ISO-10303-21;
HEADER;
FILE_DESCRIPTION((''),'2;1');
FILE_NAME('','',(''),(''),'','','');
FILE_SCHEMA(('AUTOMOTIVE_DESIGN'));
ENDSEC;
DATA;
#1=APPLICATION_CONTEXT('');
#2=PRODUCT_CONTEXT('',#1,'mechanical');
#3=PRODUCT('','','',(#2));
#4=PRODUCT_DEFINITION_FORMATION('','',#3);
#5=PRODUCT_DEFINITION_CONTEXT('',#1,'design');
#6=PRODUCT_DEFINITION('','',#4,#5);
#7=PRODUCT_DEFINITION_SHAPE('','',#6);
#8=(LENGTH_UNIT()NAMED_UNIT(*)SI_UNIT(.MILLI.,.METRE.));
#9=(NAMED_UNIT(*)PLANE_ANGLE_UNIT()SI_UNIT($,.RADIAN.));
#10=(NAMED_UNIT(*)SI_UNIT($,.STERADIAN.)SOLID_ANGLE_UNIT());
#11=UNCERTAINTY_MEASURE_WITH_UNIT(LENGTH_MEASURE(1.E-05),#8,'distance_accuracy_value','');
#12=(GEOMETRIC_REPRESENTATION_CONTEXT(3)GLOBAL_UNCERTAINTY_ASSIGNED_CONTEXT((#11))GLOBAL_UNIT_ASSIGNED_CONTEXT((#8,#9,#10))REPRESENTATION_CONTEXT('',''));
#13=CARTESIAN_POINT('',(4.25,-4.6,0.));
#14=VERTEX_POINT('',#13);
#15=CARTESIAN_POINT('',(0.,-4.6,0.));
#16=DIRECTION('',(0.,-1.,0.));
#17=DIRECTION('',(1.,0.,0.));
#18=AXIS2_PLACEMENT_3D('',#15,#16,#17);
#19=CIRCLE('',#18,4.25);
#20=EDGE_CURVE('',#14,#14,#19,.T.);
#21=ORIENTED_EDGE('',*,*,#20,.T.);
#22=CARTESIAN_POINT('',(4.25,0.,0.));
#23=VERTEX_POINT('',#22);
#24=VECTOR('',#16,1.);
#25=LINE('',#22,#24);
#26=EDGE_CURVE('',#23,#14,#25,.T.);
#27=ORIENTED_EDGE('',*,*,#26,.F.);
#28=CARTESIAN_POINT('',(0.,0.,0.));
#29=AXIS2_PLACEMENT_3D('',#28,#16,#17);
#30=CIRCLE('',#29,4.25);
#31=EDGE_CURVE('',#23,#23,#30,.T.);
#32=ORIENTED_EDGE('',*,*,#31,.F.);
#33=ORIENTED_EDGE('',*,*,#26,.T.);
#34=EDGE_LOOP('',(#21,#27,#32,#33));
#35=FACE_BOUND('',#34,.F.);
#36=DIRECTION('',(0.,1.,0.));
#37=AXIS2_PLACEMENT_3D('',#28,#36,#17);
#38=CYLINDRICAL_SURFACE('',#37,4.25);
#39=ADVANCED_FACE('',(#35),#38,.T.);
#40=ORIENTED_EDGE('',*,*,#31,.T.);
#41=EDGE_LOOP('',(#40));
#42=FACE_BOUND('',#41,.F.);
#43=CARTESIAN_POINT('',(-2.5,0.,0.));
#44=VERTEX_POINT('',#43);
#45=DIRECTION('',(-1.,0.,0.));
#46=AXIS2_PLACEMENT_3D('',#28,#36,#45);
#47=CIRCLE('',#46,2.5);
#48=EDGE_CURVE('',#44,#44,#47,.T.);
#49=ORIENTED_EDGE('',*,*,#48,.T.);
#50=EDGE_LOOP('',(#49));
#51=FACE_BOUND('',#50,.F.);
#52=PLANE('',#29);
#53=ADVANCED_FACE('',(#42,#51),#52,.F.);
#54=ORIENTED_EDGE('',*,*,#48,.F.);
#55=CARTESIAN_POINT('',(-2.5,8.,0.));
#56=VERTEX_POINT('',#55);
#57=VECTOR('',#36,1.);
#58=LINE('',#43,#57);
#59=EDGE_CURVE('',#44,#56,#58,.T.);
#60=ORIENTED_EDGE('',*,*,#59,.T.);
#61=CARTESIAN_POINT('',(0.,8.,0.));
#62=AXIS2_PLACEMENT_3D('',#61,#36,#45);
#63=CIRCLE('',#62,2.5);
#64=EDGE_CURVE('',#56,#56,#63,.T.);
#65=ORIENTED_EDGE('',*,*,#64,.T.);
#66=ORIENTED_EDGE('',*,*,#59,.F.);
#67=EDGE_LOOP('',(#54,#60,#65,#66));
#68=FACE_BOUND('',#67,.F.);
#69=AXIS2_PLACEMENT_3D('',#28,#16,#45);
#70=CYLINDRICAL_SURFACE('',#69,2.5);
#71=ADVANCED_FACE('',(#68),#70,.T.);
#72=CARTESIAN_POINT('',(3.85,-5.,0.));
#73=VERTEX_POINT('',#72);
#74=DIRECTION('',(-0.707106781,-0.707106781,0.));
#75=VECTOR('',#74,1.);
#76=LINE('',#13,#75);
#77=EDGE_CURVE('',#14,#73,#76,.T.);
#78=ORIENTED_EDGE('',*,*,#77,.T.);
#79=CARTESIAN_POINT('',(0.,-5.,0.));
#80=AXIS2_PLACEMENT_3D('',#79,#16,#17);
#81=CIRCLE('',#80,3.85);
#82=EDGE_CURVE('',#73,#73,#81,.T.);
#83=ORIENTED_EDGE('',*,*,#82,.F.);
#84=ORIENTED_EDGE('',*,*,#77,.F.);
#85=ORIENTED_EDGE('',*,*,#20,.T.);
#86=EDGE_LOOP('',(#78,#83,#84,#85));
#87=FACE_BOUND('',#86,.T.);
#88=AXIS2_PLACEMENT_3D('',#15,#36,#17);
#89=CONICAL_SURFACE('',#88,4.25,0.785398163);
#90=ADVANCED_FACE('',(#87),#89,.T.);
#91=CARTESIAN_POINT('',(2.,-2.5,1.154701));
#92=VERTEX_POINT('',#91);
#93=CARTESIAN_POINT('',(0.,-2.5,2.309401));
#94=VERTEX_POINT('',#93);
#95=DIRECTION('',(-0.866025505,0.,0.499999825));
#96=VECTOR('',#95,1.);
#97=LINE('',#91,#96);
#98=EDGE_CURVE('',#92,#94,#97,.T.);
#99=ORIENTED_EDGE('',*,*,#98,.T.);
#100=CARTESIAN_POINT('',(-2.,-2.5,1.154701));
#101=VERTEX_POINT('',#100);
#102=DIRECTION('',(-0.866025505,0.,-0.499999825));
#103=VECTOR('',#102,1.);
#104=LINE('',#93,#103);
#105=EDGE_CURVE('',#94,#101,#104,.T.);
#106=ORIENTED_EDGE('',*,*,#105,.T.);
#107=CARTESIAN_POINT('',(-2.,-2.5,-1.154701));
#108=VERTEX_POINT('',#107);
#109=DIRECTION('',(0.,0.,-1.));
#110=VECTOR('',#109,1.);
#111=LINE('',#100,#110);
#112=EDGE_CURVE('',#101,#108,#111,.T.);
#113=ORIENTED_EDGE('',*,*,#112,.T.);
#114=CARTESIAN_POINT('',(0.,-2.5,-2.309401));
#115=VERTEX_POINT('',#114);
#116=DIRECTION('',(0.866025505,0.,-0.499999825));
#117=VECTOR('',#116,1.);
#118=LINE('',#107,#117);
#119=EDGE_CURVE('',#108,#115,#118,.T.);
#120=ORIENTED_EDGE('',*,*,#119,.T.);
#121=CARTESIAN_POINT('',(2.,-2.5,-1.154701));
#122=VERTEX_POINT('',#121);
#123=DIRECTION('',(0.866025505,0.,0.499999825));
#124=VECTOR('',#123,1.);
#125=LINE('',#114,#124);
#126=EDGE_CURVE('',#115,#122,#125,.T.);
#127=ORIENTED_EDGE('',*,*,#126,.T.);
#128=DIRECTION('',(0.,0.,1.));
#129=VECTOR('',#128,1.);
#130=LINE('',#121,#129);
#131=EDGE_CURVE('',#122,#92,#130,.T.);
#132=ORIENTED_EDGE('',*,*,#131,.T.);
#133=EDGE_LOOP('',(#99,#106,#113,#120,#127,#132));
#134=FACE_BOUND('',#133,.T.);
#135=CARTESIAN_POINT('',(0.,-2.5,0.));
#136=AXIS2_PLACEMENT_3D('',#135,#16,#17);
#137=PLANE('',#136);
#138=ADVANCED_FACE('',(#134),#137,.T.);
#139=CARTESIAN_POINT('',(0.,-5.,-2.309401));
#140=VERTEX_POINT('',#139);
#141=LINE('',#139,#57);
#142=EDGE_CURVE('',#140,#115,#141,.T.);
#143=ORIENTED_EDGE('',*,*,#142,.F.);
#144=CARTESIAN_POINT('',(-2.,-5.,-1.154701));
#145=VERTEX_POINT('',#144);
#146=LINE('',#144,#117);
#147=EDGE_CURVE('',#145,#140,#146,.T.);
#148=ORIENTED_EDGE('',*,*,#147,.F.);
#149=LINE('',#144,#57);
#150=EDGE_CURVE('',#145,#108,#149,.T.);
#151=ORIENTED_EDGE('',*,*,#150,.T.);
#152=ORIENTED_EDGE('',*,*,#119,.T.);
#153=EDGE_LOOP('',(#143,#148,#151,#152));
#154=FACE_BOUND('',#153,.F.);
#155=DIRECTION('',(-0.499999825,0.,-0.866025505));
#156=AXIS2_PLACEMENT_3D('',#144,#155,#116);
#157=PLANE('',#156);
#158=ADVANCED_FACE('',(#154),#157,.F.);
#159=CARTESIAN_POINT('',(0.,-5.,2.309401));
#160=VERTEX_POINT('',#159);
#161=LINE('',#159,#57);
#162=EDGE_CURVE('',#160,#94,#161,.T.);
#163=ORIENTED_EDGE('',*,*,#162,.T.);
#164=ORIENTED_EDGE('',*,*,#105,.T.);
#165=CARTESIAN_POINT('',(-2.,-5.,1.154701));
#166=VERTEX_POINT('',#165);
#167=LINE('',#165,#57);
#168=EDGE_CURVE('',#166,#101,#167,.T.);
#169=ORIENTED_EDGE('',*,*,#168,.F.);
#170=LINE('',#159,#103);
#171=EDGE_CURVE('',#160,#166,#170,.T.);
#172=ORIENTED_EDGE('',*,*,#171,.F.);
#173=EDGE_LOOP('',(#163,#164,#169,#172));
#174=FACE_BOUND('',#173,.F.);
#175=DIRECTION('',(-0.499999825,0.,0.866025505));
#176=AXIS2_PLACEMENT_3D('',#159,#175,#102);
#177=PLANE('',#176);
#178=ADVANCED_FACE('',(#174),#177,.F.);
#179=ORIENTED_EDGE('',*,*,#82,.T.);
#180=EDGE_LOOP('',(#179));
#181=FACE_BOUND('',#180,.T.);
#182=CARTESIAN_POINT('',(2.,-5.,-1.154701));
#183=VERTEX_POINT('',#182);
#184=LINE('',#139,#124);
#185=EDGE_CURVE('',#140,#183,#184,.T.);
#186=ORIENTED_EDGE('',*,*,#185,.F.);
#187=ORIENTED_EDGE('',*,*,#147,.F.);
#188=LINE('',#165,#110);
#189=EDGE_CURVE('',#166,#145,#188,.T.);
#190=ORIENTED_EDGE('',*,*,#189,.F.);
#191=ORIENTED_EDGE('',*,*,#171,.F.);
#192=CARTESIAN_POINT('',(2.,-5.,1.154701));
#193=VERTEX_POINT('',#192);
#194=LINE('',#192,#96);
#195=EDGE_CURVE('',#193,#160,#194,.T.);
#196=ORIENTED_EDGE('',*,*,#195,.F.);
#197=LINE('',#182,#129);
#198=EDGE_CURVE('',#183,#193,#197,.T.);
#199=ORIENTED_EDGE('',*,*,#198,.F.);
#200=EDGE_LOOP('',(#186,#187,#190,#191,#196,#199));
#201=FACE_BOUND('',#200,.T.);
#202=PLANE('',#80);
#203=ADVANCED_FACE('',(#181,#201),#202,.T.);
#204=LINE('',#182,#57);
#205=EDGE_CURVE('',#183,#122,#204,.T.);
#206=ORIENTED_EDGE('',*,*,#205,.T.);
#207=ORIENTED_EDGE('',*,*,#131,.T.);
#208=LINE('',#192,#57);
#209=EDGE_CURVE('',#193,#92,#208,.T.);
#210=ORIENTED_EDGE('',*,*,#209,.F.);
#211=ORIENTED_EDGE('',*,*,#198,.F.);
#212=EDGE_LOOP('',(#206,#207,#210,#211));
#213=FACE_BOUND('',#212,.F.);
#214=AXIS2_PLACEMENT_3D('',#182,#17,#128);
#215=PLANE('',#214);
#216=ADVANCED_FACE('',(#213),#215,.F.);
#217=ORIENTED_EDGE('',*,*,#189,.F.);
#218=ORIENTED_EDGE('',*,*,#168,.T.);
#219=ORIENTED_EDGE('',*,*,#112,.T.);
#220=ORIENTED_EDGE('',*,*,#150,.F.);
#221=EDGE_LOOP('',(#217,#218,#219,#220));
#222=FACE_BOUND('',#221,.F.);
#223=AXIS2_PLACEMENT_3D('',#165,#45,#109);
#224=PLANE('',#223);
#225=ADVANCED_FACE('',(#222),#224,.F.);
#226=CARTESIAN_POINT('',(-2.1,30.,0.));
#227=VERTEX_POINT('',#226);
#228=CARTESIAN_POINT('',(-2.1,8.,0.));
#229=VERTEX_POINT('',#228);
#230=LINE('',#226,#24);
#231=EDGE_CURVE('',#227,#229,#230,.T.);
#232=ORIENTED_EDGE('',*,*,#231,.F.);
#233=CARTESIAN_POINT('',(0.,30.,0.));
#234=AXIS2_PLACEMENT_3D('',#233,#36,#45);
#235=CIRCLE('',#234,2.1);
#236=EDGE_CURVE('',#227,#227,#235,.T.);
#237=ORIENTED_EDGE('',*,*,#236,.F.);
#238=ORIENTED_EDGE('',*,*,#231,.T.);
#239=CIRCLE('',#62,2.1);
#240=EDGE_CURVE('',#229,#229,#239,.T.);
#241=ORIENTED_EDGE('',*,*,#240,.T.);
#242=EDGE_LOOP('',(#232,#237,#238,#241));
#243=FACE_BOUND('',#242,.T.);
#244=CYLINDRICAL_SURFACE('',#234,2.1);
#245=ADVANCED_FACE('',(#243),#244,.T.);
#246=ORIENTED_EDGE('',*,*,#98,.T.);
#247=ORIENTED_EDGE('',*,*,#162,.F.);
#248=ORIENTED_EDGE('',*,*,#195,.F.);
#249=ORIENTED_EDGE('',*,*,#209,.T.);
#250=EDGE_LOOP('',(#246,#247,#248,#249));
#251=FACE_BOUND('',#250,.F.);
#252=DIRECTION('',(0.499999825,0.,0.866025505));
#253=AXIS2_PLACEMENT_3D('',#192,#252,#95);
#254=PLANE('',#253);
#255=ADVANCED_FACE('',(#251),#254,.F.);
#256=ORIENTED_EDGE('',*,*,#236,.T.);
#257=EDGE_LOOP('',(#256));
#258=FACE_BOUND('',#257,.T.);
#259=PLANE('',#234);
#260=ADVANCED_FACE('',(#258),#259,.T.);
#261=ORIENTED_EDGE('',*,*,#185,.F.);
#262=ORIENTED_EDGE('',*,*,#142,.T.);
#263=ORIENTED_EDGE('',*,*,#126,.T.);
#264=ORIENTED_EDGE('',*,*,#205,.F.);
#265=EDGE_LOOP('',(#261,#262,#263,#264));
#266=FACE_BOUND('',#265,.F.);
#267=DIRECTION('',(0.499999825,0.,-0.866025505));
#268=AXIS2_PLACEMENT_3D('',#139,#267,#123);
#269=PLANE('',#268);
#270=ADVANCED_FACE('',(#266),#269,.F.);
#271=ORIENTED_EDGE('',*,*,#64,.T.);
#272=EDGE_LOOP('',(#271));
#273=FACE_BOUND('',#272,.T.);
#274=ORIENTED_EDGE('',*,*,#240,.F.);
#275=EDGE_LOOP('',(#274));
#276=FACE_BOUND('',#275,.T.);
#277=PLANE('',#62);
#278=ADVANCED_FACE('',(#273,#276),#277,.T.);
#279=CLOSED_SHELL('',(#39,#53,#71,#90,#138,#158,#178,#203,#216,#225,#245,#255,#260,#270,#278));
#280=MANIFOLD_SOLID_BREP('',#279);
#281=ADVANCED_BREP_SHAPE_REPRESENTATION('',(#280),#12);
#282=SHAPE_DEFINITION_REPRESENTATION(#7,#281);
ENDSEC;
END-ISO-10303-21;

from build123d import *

# Parameters (mm, degrees)
F0_R     = 4.25
F1_DEPTH = 5
F2_R     = 2.5
F3_DEPTH = 30
F4_R     = 2.5
F4_R_2   = 2.1
F5_DEPTH = 22
F7_DEPTH = 2.5
F8_SIZE  = 0.4


with BuildPart() as f1:
    # F0 (on Front) → F1 (new body)
    with BuildSketch(Plane.XZ):
        Circle(F0_R)
    extrude(amount=F1_DEPTH)

    # F2 (on face) → F3 (join)
    with BuildSketch(Plane(origin=(0, 0, 0), x_dir=(-1, 0, 0), z_dir=(0, 1, 0))):
        Circle(F2_R)
    extrude(amount=F3_DEPTH)

    # F4 (on face) → F5 (cut)
    with BuildSketch(Plane(origin=(0, 30, 0), x_dir=(-1, 0, 0), z_dir=(0, 1, 0))):
        Circle(F4_R)
        Circle(F4_R_2, mode=Mode.SUBTRACT)
    extrude(amount=-F5_DEPTH, mode=Mode.SUBTRACT)

    # F6 (on face) → F7 (cut)
    with BuildSketch(Plane.XZ.offset(5)):
        Polygon((0, -2.309401), (2, -1.154701), (2, 1.154701), (0, 2.309401), (-2, 1.154701), (-2, -1.154701), align=None)
    extrude(amount=-F7_DEPTH, mode=Mode.SUBTRACT)

    # F8
    f8_edges = [f1.edges().sort_by_distance(p)[0] for p in [
        (-4.25, -5, 0),
    ]]
    chamfer(f8_edges, length=F8_SIZE)


solid = f1.part
